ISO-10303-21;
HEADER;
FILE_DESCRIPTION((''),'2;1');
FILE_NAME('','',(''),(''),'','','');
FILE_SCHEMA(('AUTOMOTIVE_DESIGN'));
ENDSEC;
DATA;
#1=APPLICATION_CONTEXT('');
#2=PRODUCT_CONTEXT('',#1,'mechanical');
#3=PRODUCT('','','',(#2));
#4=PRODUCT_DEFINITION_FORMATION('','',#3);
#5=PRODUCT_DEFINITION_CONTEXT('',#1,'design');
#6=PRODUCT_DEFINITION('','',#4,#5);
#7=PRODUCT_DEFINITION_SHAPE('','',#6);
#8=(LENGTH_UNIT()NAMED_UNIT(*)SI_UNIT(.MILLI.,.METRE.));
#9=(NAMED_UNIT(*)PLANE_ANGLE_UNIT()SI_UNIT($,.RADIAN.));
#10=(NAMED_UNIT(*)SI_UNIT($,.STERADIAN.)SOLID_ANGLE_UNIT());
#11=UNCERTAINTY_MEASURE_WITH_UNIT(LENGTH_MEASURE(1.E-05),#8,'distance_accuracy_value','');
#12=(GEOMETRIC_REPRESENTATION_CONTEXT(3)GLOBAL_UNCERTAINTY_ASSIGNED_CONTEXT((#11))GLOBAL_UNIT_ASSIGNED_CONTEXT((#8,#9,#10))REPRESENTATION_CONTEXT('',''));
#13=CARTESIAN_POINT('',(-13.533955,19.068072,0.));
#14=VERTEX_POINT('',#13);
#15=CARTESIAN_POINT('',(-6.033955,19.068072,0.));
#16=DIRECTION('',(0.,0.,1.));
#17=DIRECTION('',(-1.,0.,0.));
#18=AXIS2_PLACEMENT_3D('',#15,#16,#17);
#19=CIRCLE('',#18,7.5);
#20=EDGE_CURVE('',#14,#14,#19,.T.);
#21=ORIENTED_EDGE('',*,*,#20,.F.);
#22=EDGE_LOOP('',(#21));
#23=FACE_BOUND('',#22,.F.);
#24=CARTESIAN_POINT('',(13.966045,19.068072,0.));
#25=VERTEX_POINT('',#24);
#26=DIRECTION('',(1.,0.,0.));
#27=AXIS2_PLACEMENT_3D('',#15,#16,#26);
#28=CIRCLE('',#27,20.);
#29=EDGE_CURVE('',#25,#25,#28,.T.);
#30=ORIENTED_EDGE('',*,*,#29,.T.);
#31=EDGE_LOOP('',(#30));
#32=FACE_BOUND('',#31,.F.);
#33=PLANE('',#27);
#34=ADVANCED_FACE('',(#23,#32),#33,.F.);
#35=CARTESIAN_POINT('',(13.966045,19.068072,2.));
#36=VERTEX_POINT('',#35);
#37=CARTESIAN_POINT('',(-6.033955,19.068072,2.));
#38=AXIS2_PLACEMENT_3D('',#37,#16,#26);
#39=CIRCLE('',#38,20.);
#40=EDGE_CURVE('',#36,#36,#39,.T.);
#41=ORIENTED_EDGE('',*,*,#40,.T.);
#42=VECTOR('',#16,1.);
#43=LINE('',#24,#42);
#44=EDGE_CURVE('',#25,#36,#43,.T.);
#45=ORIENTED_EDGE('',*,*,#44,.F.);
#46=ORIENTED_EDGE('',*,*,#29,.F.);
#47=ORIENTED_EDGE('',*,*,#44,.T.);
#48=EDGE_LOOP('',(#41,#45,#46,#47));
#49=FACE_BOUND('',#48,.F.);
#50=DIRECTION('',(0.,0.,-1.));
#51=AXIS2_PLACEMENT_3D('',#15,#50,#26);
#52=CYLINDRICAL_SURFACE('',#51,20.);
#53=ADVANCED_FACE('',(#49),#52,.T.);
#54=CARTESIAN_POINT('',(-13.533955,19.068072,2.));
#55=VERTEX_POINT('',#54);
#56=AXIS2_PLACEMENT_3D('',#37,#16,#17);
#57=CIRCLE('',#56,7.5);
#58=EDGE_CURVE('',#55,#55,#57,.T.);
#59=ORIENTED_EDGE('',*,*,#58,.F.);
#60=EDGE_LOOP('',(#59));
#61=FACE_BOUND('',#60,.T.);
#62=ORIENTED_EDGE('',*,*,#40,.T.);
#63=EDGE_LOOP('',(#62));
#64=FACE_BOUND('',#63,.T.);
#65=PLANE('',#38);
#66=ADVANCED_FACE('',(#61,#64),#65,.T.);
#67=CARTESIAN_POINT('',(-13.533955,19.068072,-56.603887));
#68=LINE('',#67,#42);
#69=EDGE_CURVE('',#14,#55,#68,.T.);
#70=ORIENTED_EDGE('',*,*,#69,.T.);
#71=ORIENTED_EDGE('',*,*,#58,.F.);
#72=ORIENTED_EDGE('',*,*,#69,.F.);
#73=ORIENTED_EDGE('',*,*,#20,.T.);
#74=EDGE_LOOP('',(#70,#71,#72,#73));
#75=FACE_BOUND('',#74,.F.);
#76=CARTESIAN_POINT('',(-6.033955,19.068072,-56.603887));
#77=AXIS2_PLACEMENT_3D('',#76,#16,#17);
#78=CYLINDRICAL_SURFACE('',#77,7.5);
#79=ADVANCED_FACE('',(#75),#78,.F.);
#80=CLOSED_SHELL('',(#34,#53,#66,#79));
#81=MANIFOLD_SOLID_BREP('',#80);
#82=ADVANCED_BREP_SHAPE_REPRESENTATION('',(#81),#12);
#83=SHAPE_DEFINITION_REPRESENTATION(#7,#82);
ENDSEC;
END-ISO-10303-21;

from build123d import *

# Parameters (mm, degrees)
F0_R     = 20
F1_DEPTH = 2
F2_D     = 15


with BuildPart() as f1:
    # F0 (on Top) → F1 (new body)
    with BuildSketch(Plane.XY):
        with Locations((-6.0339552129, 19.0680723852)):
            Circle(F0_R)
    extrude(amount=F1_DEPTH)

    # F2 (through all)
    with Locations(Plane(origin=(0, 0, 0), x_dir=(1, 0, 0), z_dir=(0, 0, -1))):
        with Locations((-6.0339552129, -19.0680723852)):
            Hole(F2_D / 2)


solid = f1.part
